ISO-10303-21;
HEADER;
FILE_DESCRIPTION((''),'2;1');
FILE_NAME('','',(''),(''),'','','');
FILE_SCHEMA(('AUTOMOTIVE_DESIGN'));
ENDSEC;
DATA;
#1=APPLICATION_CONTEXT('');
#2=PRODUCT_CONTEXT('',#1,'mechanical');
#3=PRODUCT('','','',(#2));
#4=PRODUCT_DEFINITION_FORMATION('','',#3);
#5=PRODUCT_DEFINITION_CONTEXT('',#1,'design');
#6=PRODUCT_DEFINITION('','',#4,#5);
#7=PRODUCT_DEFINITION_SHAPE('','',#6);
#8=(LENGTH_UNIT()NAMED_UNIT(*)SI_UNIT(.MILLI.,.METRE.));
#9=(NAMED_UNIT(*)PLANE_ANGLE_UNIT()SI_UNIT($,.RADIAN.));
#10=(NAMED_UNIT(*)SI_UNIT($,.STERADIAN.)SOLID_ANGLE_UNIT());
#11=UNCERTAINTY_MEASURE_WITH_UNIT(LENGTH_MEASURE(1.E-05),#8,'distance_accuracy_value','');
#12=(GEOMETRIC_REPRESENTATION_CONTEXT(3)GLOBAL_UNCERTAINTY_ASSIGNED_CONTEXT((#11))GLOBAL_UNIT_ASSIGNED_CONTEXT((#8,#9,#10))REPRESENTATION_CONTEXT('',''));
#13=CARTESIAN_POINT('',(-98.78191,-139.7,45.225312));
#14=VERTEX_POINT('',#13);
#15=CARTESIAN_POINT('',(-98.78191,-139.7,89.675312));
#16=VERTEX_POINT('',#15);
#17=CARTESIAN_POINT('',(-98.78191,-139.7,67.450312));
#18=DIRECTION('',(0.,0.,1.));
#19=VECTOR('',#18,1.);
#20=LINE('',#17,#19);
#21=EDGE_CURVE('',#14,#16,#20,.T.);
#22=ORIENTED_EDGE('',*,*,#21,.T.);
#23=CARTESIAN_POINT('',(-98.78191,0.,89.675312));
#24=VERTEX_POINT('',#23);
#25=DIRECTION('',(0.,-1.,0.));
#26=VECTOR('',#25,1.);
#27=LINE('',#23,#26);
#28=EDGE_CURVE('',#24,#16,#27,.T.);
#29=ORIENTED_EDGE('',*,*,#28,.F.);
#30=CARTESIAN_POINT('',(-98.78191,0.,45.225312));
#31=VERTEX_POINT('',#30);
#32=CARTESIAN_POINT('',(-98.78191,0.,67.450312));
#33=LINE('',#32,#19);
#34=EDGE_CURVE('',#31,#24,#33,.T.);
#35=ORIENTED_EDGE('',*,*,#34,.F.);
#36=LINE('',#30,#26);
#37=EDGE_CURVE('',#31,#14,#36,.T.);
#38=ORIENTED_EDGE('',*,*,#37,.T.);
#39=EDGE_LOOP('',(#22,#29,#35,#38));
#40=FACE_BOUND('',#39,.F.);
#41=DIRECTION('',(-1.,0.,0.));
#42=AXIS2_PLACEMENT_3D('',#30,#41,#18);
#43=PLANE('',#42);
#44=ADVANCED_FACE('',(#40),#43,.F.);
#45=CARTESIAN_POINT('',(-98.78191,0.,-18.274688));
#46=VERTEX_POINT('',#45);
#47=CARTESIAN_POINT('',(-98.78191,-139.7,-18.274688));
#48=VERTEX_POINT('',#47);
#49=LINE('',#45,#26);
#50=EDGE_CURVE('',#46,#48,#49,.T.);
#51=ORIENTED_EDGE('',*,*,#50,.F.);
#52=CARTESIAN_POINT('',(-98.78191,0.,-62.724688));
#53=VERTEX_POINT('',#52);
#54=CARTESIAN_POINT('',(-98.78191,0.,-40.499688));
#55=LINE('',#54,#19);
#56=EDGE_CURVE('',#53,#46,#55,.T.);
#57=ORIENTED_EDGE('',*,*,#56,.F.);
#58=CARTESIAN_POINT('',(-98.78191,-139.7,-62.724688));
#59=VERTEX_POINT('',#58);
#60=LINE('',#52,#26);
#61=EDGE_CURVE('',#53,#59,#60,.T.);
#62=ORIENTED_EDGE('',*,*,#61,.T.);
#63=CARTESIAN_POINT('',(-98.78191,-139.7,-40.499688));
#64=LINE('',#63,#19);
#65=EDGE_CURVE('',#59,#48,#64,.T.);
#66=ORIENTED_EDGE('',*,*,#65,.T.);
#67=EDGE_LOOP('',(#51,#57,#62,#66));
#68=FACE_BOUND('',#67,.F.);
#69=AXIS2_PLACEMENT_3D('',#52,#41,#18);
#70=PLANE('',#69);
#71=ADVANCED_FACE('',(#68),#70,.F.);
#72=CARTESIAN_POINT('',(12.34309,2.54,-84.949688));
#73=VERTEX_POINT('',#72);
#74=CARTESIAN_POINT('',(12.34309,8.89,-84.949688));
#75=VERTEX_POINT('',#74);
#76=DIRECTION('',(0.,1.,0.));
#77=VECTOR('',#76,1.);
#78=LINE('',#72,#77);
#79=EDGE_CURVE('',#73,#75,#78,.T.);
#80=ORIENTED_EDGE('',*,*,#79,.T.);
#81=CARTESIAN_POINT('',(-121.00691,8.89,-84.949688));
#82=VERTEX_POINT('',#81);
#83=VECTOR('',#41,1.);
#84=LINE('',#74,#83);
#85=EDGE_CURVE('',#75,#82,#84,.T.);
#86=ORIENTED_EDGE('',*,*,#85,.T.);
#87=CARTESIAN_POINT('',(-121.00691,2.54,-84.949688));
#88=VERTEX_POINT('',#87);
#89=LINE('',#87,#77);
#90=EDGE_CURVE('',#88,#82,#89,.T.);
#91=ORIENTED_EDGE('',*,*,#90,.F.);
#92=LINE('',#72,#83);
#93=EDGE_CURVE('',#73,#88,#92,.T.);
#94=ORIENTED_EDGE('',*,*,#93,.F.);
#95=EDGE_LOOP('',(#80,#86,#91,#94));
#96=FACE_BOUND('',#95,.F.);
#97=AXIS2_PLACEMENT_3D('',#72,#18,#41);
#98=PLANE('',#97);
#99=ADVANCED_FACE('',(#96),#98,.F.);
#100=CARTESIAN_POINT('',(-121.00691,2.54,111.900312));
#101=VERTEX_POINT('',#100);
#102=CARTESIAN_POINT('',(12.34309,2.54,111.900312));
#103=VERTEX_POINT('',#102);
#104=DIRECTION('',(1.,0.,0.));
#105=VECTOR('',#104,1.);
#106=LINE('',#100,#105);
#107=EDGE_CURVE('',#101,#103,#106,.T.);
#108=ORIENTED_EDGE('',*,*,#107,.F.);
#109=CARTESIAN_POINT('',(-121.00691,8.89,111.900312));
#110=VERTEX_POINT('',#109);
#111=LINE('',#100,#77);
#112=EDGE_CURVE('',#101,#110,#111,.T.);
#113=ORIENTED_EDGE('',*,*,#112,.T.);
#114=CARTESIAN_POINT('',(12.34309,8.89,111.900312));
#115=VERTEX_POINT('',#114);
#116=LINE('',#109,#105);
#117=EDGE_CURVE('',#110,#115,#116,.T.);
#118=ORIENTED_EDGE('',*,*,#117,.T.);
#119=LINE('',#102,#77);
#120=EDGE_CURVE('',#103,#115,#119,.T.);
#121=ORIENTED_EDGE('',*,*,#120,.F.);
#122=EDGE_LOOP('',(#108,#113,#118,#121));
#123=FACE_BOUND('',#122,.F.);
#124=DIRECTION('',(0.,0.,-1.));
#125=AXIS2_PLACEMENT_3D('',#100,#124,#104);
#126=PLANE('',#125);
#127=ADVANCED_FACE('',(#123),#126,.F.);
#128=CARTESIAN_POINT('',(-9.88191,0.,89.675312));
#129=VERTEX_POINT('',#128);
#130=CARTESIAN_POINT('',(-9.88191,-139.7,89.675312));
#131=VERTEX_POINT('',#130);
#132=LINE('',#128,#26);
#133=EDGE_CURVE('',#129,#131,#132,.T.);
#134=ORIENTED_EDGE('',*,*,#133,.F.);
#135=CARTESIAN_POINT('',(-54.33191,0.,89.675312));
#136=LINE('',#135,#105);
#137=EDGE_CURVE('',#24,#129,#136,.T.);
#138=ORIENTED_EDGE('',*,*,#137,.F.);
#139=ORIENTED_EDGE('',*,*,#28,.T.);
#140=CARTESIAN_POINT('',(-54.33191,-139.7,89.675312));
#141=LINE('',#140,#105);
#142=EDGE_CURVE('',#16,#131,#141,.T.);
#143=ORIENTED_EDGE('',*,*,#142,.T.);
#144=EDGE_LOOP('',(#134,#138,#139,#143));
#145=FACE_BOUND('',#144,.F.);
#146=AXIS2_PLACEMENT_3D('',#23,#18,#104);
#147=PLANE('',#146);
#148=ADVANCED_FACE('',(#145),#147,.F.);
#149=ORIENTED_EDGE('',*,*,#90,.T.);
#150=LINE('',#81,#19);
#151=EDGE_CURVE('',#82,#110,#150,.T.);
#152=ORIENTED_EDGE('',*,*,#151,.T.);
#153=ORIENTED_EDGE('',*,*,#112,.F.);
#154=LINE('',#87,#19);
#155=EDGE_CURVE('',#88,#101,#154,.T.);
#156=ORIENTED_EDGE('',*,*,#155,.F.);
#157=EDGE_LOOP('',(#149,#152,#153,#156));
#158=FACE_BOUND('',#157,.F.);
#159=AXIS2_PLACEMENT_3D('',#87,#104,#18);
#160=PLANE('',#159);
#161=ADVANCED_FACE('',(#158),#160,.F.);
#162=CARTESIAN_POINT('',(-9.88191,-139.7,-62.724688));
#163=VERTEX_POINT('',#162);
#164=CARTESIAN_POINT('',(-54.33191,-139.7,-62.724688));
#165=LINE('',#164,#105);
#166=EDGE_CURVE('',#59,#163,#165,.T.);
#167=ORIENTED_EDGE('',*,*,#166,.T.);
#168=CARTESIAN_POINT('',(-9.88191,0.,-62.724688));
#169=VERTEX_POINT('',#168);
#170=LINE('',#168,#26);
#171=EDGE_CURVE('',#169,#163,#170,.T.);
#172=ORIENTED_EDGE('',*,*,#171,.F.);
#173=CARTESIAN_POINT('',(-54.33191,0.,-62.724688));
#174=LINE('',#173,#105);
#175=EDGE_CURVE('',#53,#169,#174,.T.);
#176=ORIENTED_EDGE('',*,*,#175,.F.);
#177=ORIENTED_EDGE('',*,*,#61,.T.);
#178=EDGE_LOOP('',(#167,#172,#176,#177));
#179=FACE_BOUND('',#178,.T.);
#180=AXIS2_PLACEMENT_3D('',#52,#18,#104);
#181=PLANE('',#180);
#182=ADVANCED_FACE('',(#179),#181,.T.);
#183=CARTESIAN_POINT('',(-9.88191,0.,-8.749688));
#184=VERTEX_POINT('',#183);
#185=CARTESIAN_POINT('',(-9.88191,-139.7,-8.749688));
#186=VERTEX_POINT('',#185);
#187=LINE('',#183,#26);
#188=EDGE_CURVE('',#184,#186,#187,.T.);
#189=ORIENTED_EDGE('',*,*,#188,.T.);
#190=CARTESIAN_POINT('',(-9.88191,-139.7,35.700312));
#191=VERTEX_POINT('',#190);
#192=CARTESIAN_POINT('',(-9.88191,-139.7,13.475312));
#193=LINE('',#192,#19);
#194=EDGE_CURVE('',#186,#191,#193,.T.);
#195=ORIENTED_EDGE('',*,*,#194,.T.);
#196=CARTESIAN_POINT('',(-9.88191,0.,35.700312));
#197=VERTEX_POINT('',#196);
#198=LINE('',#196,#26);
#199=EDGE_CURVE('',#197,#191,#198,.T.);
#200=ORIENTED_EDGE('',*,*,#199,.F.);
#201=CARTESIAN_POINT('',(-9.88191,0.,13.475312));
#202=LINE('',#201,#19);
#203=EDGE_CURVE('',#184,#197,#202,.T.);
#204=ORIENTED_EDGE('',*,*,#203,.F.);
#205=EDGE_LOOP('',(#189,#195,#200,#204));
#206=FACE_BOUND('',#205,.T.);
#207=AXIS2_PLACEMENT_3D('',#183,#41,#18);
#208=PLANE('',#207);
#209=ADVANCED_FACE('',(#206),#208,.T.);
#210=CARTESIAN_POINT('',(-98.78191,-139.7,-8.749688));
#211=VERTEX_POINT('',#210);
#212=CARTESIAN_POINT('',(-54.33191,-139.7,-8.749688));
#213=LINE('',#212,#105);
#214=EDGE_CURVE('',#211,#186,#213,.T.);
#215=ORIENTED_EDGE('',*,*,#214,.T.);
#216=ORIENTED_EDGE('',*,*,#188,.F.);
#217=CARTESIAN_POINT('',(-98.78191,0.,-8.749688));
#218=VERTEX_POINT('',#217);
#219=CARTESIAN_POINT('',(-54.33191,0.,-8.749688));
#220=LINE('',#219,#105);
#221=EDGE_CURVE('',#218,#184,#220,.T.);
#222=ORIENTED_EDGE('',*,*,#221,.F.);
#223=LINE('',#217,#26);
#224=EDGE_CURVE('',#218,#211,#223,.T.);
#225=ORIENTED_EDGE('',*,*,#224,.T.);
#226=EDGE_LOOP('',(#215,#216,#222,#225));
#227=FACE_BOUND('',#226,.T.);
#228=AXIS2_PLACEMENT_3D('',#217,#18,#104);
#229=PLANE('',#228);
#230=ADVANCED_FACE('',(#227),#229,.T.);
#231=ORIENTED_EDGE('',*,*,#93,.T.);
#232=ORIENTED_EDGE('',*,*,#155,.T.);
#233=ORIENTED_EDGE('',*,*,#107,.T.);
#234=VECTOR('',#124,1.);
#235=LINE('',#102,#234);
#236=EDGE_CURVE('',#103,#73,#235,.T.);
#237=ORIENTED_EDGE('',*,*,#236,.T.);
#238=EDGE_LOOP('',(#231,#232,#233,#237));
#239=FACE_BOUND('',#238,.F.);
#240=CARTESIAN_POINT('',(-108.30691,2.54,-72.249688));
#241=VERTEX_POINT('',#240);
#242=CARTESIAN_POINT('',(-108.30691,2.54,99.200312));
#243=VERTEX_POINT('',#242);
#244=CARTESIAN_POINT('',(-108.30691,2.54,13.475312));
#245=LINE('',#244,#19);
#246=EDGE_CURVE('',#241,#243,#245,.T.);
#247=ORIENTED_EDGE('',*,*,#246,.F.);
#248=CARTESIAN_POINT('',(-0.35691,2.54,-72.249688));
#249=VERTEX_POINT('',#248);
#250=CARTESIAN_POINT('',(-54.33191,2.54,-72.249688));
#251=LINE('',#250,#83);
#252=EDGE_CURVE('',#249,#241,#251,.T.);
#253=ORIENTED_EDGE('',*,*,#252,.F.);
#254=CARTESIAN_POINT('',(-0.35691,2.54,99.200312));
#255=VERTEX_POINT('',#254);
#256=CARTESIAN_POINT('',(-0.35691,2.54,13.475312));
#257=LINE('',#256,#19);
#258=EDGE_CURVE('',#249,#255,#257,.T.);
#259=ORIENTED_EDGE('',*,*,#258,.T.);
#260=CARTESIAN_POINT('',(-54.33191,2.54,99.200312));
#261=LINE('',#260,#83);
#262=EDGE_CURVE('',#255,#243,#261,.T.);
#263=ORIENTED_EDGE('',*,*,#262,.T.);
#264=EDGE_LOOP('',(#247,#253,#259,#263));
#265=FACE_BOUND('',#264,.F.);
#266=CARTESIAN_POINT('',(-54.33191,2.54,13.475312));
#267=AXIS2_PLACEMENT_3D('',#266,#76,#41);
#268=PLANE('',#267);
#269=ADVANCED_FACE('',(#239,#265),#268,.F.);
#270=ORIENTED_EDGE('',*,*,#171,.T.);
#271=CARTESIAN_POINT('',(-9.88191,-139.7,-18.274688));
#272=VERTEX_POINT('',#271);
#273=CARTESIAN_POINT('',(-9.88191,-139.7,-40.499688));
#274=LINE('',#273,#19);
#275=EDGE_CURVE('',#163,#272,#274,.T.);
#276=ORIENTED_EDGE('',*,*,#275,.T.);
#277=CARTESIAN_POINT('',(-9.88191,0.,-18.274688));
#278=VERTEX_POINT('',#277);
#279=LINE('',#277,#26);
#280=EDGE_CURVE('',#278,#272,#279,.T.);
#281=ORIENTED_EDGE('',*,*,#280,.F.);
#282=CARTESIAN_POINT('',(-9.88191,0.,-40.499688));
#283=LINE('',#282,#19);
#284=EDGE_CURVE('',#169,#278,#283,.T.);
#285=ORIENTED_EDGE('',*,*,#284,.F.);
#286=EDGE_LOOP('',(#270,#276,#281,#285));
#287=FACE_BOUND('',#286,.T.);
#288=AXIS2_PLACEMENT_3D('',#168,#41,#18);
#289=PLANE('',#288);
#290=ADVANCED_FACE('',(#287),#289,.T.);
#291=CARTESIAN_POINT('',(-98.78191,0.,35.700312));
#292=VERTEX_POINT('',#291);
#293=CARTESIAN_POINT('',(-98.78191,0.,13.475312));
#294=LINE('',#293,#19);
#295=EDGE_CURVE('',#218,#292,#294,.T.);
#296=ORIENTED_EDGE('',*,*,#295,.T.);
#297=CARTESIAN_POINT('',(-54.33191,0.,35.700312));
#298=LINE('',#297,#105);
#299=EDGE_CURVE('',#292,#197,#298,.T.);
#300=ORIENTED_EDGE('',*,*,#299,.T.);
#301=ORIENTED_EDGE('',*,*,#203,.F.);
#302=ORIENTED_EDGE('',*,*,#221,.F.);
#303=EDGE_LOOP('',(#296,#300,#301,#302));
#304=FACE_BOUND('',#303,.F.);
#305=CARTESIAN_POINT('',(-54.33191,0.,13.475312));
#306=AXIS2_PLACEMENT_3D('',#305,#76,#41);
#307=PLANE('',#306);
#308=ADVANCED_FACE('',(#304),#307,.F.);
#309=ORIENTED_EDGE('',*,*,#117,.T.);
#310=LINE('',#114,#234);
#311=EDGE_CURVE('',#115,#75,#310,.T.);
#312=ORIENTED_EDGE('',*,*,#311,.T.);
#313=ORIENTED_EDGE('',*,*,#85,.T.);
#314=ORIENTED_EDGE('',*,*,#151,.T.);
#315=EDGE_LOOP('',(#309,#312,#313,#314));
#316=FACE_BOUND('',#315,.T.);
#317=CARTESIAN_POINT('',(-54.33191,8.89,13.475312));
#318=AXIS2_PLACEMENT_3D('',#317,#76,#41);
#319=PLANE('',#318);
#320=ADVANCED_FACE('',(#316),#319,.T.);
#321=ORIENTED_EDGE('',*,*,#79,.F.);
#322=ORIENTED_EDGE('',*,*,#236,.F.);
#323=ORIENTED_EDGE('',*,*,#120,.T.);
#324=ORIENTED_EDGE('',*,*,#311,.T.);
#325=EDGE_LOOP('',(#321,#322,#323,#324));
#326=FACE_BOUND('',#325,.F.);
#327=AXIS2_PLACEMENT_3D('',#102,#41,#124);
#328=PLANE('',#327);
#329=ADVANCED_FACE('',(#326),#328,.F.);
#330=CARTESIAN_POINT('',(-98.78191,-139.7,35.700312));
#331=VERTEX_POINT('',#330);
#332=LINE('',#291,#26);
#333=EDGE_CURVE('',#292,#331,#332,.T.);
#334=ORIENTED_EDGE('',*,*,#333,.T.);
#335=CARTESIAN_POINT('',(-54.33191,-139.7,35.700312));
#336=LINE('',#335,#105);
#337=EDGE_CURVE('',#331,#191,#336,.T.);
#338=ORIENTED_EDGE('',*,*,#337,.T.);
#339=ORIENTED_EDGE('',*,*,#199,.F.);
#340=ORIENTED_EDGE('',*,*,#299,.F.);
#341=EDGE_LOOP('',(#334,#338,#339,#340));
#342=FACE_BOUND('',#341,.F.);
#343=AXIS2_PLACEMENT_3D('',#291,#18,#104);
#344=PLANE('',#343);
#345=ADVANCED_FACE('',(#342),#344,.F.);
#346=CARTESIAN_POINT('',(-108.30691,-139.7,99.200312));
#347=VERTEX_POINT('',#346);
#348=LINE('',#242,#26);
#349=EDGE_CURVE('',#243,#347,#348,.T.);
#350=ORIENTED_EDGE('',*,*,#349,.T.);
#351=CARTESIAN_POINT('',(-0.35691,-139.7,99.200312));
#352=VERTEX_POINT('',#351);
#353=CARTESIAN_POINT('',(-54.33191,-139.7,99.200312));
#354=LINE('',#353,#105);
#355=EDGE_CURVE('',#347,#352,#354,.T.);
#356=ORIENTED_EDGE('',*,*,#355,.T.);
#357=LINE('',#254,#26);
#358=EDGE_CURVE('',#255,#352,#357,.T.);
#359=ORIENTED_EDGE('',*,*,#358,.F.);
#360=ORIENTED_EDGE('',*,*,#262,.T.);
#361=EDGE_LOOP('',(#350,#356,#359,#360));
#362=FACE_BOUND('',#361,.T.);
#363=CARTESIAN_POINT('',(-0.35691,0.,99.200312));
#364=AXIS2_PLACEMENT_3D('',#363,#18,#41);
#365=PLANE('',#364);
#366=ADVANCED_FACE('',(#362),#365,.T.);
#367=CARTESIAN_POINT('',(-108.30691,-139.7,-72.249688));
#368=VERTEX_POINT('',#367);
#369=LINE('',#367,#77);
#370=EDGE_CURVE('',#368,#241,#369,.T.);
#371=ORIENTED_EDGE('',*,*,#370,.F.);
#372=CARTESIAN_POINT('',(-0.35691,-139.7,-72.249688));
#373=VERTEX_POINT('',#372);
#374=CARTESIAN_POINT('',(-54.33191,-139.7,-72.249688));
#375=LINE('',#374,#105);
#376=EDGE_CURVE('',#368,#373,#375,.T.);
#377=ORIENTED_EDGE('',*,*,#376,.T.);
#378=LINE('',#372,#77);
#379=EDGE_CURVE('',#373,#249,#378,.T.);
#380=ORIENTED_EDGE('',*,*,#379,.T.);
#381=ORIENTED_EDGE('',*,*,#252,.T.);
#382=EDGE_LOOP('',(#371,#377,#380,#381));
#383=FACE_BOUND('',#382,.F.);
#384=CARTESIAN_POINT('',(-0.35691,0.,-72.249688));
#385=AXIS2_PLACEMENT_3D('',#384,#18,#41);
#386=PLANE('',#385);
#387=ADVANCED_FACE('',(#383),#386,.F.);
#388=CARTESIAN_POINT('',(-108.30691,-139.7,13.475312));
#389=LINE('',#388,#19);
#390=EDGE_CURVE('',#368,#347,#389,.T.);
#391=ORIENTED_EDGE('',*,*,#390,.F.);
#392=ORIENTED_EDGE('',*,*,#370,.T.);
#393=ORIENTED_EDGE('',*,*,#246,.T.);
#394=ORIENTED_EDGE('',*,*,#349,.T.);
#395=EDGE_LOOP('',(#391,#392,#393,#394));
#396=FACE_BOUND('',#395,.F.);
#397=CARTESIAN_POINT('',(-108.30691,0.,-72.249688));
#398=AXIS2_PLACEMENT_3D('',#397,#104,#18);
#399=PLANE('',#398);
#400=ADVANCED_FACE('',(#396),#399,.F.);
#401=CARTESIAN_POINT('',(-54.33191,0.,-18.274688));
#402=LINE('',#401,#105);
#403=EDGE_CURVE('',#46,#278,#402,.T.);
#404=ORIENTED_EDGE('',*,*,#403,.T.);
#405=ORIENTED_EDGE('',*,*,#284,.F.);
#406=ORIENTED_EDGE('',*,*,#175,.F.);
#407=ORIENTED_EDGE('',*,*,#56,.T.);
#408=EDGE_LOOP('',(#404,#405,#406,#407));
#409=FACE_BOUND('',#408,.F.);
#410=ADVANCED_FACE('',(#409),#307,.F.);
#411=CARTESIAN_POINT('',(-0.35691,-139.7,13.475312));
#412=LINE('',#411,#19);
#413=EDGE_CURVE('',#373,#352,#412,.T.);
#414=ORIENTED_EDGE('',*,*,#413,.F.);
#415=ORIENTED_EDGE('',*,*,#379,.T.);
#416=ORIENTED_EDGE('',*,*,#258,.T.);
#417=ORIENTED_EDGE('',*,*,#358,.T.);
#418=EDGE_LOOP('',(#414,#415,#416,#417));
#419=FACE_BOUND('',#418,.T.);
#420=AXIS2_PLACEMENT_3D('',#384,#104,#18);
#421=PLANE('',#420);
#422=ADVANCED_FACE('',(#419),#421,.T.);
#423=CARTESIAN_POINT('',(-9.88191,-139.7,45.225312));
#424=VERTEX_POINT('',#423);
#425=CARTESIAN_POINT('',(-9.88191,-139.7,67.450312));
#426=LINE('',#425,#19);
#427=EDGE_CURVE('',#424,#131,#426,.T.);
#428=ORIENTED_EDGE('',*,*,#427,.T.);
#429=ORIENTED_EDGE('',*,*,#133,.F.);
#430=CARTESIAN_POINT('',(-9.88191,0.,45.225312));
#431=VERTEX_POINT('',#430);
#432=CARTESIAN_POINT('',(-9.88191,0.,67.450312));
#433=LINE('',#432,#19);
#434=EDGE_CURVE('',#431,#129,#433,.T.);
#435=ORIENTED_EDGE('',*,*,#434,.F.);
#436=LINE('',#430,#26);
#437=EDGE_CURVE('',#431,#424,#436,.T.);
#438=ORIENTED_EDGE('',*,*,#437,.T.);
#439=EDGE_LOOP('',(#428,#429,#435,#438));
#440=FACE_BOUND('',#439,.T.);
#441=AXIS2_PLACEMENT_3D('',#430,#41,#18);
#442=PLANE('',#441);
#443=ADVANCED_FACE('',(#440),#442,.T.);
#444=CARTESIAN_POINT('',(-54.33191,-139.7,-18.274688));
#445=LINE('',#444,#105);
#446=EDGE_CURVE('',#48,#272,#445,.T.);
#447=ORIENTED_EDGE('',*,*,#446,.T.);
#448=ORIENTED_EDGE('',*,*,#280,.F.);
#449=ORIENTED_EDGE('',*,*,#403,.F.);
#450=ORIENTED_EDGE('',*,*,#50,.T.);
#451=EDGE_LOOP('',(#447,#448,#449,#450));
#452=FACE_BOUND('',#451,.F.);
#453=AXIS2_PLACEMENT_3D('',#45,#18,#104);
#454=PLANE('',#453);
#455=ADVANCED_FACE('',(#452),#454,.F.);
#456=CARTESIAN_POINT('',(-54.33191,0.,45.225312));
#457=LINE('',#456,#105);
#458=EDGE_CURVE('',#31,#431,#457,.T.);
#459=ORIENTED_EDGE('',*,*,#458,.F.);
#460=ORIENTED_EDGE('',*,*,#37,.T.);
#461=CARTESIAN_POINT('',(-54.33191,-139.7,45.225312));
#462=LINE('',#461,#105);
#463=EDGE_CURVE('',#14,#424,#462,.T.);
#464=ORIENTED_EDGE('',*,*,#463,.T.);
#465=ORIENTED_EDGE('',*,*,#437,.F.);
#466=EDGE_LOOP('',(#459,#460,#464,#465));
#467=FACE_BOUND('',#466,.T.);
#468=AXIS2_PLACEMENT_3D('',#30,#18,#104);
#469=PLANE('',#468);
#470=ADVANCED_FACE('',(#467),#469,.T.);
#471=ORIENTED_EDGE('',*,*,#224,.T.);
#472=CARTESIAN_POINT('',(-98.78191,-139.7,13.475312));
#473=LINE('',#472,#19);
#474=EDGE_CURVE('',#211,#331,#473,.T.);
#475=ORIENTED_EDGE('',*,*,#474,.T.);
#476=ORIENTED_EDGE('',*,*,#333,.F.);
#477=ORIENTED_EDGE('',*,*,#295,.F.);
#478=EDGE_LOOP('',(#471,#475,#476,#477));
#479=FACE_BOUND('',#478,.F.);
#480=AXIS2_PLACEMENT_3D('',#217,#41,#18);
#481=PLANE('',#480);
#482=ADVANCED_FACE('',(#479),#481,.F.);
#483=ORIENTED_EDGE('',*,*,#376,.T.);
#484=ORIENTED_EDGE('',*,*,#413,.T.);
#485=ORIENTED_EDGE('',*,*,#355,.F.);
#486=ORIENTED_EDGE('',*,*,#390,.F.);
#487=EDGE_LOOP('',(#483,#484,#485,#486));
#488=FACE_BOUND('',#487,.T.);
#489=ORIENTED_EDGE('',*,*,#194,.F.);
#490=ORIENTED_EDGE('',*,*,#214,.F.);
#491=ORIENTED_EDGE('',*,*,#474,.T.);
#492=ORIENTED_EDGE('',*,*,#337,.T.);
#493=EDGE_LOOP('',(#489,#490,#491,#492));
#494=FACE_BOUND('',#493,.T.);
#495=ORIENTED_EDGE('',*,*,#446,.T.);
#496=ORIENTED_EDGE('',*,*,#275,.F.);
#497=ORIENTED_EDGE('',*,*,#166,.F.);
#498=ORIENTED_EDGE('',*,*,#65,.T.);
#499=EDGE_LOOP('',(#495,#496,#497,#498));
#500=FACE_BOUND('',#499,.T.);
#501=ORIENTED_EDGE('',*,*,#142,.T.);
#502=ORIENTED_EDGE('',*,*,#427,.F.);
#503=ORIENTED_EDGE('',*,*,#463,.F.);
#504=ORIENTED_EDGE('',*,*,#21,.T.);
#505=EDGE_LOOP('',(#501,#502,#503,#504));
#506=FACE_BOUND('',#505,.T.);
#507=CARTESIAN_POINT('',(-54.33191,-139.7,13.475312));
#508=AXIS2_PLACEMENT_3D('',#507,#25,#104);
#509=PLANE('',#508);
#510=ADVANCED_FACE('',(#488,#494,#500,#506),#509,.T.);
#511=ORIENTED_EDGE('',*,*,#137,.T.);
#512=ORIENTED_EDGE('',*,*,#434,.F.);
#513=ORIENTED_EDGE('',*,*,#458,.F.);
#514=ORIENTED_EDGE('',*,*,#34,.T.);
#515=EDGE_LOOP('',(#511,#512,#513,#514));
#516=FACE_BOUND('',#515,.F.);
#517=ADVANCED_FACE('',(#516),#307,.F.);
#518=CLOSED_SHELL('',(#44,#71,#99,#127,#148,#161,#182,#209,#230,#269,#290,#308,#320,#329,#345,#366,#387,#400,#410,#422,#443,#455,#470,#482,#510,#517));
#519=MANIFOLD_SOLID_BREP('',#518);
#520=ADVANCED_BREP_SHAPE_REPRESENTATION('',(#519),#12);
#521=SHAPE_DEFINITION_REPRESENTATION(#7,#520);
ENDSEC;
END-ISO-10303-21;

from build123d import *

# Parameters (mm, degrees)
F0_W     = 107.95
F0_H     = 171.45
F0_W_2   = 88.9
F0_H_2   = 44.45
F1_DEPTH = 139.7
F2_W     = 107.95
F2_H     = 171.45
F3_DEPTH = 2.54
F5_DEPTH = 6.35


with BuildPart() as f1:
    # F0 (on Front) → F1 (new body)
    with BuildSketch(Plane.XZ):
        with Locations((-54.33191, 13.475312)):
            Rectangle(F0_W, F0_H)
        with Locations((-54.33191, -40.499688)):
            Rectangle(F0_W_2, F0_H_2, mode=Mode.SUBTRACT)
        with Locations((-54.33191, 67.450312)):
            Rectangle(F0_W_2, F0_H_2, mode=Mode.SUBTRACT)
        with Locations((-54.33191, 13.475312)):
            Rectangle(F0_W_2, F0_H_2, mode=Mode.SUBTRACT)
    extrude(amount=F1_DEPTH)

    # F2 (on face) → F3 (join)
    with BuildSketch(Plane(origin=(0, 0, 0), x_dir=(-1, 0, 0), z_dir=(0, 1, 0))):
        with Locations((54.33191, 13.475312)):
            Rectangle(F2_W, F2_H)
    extrude(amount=F3_DEPTH)

    # F4 (on face) → F5 (join)
    with BuildSketch(Plane(origin=(0, 2.54, 0), x_dir=(-1, 0, 0), z_dir=(0, 1, 0))):
        Polygon((121.00691, 111.900312), (0.35691, 111.900312), (-12.34309, 111.900312), (-12.34309, 99.200312), (-12.34309, -84.949688), (108.30691, -84.949688), (121.00691, -84.949688), (121.00691, -72.249688), align=None)
    extrude(amount=F5_DEPTH)


solid = f1.part
